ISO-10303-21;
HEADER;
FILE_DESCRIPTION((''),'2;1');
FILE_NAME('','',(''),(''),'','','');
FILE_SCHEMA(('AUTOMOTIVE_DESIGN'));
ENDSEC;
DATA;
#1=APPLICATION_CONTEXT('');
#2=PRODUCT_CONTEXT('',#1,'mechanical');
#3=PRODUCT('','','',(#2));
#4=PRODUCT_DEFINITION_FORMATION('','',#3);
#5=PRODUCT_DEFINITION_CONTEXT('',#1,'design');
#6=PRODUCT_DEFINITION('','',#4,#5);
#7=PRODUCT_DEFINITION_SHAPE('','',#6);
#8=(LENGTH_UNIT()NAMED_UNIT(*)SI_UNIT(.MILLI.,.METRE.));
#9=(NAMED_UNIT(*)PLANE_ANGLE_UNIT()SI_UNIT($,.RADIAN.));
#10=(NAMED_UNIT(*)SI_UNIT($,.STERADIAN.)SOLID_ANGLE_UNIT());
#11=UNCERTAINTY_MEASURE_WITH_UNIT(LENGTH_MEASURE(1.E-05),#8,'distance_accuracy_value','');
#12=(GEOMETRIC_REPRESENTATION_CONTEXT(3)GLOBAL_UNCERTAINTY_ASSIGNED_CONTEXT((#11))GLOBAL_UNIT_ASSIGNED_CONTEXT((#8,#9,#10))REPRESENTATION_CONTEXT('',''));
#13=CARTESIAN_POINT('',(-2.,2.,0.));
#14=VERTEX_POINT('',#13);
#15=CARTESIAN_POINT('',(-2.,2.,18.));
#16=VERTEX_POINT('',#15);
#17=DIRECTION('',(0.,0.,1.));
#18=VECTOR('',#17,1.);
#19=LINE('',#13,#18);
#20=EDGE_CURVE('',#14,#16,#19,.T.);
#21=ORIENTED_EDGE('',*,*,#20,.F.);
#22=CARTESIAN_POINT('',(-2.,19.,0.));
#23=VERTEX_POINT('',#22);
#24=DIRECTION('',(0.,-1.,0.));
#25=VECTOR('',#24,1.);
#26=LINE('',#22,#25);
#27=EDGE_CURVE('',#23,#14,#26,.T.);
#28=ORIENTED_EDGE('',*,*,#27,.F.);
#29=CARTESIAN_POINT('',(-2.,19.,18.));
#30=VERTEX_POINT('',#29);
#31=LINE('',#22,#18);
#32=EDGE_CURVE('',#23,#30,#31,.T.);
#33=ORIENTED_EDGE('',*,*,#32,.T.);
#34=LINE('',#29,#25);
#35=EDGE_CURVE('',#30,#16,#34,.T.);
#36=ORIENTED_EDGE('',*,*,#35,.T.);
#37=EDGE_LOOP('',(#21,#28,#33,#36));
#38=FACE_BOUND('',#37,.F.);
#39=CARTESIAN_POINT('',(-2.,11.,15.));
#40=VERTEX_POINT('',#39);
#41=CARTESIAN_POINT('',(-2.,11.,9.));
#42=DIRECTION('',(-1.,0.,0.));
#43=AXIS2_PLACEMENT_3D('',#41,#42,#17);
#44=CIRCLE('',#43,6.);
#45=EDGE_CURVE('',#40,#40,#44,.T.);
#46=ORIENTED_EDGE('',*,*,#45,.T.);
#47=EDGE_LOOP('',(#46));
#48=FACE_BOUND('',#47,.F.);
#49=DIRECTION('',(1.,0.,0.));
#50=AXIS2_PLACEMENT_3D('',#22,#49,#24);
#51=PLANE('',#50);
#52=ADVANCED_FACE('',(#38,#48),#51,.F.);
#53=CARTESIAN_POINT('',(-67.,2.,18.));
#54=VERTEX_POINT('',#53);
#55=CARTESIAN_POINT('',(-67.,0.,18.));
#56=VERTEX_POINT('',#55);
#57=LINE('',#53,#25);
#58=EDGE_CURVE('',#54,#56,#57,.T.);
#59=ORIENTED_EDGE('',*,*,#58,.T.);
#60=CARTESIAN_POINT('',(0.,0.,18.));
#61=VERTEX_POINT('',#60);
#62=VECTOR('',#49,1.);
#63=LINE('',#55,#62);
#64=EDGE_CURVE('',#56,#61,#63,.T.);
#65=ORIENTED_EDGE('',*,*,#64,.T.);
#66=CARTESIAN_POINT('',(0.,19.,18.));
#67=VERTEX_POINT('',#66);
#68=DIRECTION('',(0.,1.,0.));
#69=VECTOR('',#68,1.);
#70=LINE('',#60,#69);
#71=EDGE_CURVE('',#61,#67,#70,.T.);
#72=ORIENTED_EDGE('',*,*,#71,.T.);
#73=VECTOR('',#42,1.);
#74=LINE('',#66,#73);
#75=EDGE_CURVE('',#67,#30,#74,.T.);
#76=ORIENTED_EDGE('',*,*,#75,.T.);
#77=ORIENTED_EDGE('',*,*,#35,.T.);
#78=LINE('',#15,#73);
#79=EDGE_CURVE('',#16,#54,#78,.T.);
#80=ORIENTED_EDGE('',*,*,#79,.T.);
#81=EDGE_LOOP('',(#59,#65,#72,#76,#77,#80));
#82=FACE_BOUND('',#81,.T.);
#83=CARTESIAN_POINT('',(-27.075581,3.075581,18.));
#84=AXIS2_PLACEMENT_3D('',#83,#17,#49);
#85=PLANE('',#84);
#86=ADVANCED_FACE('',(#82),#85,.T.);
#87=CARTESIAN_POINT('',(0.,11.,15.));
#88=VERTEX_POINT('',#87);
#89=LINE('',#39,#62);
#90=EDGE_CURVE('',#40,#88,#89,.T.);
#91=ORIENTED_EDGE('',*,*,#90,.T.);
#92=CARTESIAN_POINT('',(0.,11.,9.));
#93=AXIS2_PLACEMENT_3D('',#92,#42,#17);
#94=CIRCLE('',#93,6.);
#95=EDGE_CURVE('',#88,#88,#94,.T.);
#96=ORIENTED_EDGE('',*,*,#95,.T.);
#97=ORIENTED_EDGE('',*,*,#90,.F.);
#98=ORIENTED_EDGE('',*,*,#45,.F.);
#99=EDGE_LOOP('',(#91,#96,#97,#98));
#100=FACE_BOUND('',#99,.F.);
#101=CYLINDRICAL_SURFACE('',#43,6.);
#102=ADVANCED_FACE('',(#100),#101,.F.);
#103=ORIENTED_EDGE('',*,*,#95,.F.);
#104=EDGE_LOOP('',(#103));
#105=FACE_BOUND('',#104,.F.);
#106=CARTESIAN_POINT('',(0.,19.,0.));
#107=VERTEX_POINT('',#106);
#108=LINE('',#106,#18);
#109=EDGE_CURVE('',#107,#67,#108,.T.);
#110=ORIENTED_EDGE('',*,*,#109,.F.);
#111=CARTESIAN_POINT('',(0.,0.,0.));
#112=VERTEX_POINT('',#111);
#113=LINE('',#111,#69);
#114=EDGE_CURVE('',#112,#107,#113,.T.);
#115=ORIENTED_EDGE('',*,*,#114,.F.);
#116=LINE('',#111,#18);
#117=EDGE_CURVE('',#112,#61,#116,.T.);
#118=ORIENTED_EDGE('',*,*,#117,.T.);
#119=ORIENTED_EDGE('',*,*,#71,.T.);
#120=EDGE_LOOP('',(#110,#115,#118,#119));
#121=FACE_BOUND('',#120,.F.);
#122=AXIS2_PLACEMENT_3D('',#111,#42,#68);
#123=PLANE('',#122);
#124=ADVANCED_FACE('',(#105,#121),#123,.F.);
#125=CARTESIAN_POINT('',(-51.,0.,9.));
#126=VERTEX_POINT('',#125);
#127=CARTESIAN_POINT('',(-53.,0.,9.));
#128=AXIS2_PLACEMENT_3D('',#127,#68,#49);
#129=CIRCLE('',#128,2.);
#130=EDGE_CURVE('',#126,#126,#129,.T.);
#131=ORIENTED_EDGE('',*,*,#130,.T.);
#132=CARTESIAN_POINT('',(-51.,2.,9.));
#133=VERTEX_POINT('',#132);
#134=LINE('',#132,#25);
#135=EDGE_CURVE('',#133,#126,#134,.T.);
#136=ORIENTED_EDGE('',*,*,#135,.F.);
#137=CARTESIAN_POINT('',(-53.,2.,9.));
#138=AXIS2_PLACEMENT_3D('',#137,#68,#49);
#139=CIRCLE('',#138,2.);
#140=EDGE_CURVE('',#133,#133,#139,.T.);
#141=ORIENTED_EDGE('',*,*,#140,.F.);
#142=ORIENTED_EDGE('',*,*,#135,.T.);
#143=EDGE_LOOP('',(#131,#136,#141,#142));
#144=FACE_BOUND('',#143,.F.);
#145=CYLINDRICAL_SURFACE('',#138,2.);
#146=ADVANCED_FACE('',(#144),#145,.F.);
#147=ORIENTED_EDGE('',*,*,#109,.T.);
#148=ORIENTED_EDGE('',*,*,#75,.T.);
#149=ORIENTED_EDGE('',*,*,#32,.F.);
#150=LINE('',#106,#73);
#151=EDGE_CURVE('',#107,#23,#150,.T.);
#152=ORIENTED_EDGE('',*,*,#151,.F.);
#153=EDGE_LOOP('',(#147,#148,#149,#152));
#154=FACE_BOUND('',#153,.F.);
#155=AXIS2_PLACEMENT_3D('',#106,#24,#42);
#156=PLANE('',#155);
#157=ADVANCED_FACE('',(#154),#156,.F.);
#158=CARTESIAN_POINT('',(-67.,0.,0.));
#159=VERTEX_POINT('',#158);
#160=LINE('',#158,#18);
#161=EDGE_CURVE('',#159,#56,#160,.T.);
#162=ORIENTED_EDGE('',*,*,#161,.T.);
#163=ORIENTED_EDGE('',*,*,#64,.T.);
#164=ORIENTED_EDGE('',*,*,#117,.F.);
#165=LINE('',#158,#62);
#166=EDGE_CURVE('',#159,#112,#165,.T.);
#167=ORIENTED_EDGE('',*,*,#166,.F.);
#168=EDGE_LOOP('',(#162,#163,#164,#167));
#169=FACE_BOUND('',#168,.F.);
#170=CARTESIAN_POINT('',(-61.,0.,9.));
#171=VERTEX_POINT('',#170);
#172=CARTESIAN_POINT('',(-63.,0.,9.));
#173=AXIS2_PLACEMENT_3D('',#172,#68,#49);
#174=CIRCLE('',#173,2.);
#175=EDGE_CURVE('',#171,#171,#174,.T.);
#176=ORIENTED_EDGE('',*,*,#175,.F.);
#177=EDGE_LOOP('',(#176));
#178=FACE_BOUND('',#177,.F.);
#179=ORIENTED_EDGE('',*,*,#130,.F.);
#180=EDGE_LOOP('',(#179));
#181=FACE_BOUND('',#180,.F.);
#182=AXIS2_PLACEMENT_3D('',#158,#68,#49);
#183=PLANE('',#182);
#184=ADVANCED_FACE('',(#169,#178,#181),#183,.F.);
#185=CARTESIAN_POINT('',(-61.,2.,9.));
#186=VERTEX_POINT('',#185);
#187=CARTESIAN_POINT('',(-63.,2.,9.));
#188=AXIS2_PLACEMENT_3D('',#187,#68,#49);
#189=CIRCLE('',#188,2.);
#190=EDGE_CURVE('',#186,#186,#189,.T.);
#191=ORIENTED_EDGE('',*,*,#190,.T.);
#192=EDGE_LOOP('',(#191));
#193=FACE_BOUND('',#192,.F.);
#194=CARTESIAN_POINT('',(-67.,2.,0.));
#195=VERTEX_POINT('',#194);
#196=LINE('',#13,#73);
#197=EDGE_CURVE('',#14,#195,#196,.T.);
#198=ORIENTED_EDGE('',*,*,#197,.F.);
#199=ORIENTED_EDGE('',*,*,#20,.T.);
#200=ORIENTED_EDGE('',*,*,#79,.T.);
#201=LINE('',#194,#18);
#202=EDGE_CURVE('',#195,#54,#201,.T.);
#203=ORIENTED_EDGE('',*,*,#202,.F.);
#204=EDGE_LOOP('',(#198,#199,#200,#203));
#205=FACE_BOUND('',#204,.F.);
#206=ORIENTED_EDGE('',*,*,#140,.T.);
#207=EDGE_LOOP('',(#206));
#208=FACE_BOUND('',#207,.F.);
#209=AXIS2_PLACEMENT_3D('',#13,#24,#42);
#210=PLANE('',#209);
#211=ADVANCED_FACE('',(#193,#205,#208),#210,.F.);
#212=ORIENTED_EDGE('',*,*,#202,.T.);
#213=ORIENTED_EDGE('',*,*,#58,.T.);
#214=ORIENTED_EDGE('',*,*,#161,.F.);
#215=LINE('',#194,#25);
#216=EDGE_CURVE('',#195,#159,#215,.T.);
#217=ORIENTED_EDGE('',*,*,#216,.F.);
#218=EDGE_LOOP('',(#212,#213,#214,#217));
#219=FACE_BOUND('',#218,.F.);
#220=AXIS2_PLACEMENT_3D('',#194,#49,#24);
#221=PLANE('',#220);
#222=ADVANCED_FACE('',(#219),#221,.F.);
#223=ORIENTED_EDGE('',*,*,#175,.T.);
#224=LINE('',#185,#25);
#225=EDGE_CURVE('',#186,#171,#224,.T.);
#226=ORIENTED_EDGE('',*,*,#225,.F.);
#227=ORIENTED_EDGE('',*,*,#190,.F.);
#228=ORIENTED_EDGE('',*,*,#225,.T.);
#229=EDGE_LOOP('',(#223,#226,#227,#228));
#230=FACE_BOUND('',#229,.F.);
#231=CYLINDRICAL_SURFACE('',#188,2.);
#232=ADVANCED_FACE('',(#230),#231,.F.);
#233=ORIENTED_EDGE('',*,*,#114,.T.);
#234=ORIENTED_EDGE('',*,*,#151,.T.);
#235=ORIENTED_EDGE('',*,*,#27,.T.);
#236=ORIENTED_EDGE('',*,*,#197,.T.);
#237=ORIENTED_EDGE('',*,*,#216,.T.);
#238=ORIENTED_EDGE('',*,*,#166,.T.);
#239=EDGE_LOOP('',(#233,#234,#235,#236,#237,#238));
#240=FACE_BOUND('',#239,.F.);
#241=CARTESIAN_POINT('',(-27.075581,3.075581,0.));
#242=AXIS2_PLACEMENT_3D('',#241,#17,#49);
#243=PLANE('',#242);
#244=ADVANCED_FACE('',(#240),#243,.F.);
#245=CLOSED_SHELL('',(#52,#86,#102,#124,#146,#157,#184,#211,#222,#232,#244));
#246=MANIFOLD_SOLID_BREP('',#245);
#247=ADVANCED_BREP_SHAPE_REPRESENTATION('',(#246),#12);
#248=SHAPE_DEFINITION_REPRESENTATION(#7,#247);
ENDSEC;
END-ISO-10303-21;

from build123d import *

# Parameters (mm, degrees)
BOSS_EXTRUDE1_DEPTH = 18
CUT_EXTRUDE1_REACH  = 4
SKETCH2_R           = 6
CUT_EXTRUDE2_REACH  = 4
SKETCH3_R           = 2


with BuildPart() as part:
    # Sketch1 → Boss-Extrude1 (new body)
    with BuildSketch(Plane.XY):
        Polygon((0, 0), (0, 19), (-2, 19), (-2, 2), (-67, 2), (-67, 0), align=None)
    extrude(amount=BOSS_EXTRUDE1_DEPTH)

    # Sketch2 → Cut-Extrude1 (cut, up to next)
    with BuildSketch(Plane.ZY.offset(2), mode=Mode.PRIVATE) as cut_extrude1_sk1:
        with Locations((9, 11)):
            Circle(SKETCH2_R)
    cut_extrude1_tool1 = extrude(cut_extrude1_sk1.sketch, amount=-CUT_EXTRUDE1_REACH, mode=Mode.PRIVATE) & part.part
    add(cut_extrude1_tool1.solids().sort_by_distance((-2, 11, 9))[0], mode=Mode.SUBTRACT)

    # Sketch3 → Cut-Extrude2 (cut, up to next)
    with BuildSketch(Plane(origin=(0, 2, 0), x_dir=(1, 0, 0), z_dir=(0, 1, 0)), mode=Mode.PRIVATE) as cut_extrude2_sk1:
        with Locations((-63, -9)):
            Circle(SKETCH3_R)
    cut_extrude2_tool1 = extrude(cut_extrude2_sk1.sketch, amount=-CUT_EXTRUDE2_REACH, mode=Mode.PRIVATE) & part.part
    add(cut_extrude2_tool1.solids().sort_by_distance((-63, 2, 9))[0], mode=Mode.SUBTRACT)
    # Sketch3 → Cut-Extrude2 (cut, up to next)
    with BuildSketch(Plane(origin=(0, 2, 0), x_dir=(1, 0, 0), z_dir=(0, 1, 0)), mode=Mode.PRIVATE) as cut_extrude2_sk2:
        with Locations((-53, -9)):
            Circle(SKETCH3_R)
    cut_extrude2_tool2 = extrude(cut_extrude2_sk2.sketch, amount=-CUT_EXTRUDE2_REACH, mode=Mode.PRIVATE) & part.part
    add(cut_extrude2_tool2.solids().sort_by_distance((-53, 2, 9))[0], mode=Mode.SUBTRACT)


solid = part.part
